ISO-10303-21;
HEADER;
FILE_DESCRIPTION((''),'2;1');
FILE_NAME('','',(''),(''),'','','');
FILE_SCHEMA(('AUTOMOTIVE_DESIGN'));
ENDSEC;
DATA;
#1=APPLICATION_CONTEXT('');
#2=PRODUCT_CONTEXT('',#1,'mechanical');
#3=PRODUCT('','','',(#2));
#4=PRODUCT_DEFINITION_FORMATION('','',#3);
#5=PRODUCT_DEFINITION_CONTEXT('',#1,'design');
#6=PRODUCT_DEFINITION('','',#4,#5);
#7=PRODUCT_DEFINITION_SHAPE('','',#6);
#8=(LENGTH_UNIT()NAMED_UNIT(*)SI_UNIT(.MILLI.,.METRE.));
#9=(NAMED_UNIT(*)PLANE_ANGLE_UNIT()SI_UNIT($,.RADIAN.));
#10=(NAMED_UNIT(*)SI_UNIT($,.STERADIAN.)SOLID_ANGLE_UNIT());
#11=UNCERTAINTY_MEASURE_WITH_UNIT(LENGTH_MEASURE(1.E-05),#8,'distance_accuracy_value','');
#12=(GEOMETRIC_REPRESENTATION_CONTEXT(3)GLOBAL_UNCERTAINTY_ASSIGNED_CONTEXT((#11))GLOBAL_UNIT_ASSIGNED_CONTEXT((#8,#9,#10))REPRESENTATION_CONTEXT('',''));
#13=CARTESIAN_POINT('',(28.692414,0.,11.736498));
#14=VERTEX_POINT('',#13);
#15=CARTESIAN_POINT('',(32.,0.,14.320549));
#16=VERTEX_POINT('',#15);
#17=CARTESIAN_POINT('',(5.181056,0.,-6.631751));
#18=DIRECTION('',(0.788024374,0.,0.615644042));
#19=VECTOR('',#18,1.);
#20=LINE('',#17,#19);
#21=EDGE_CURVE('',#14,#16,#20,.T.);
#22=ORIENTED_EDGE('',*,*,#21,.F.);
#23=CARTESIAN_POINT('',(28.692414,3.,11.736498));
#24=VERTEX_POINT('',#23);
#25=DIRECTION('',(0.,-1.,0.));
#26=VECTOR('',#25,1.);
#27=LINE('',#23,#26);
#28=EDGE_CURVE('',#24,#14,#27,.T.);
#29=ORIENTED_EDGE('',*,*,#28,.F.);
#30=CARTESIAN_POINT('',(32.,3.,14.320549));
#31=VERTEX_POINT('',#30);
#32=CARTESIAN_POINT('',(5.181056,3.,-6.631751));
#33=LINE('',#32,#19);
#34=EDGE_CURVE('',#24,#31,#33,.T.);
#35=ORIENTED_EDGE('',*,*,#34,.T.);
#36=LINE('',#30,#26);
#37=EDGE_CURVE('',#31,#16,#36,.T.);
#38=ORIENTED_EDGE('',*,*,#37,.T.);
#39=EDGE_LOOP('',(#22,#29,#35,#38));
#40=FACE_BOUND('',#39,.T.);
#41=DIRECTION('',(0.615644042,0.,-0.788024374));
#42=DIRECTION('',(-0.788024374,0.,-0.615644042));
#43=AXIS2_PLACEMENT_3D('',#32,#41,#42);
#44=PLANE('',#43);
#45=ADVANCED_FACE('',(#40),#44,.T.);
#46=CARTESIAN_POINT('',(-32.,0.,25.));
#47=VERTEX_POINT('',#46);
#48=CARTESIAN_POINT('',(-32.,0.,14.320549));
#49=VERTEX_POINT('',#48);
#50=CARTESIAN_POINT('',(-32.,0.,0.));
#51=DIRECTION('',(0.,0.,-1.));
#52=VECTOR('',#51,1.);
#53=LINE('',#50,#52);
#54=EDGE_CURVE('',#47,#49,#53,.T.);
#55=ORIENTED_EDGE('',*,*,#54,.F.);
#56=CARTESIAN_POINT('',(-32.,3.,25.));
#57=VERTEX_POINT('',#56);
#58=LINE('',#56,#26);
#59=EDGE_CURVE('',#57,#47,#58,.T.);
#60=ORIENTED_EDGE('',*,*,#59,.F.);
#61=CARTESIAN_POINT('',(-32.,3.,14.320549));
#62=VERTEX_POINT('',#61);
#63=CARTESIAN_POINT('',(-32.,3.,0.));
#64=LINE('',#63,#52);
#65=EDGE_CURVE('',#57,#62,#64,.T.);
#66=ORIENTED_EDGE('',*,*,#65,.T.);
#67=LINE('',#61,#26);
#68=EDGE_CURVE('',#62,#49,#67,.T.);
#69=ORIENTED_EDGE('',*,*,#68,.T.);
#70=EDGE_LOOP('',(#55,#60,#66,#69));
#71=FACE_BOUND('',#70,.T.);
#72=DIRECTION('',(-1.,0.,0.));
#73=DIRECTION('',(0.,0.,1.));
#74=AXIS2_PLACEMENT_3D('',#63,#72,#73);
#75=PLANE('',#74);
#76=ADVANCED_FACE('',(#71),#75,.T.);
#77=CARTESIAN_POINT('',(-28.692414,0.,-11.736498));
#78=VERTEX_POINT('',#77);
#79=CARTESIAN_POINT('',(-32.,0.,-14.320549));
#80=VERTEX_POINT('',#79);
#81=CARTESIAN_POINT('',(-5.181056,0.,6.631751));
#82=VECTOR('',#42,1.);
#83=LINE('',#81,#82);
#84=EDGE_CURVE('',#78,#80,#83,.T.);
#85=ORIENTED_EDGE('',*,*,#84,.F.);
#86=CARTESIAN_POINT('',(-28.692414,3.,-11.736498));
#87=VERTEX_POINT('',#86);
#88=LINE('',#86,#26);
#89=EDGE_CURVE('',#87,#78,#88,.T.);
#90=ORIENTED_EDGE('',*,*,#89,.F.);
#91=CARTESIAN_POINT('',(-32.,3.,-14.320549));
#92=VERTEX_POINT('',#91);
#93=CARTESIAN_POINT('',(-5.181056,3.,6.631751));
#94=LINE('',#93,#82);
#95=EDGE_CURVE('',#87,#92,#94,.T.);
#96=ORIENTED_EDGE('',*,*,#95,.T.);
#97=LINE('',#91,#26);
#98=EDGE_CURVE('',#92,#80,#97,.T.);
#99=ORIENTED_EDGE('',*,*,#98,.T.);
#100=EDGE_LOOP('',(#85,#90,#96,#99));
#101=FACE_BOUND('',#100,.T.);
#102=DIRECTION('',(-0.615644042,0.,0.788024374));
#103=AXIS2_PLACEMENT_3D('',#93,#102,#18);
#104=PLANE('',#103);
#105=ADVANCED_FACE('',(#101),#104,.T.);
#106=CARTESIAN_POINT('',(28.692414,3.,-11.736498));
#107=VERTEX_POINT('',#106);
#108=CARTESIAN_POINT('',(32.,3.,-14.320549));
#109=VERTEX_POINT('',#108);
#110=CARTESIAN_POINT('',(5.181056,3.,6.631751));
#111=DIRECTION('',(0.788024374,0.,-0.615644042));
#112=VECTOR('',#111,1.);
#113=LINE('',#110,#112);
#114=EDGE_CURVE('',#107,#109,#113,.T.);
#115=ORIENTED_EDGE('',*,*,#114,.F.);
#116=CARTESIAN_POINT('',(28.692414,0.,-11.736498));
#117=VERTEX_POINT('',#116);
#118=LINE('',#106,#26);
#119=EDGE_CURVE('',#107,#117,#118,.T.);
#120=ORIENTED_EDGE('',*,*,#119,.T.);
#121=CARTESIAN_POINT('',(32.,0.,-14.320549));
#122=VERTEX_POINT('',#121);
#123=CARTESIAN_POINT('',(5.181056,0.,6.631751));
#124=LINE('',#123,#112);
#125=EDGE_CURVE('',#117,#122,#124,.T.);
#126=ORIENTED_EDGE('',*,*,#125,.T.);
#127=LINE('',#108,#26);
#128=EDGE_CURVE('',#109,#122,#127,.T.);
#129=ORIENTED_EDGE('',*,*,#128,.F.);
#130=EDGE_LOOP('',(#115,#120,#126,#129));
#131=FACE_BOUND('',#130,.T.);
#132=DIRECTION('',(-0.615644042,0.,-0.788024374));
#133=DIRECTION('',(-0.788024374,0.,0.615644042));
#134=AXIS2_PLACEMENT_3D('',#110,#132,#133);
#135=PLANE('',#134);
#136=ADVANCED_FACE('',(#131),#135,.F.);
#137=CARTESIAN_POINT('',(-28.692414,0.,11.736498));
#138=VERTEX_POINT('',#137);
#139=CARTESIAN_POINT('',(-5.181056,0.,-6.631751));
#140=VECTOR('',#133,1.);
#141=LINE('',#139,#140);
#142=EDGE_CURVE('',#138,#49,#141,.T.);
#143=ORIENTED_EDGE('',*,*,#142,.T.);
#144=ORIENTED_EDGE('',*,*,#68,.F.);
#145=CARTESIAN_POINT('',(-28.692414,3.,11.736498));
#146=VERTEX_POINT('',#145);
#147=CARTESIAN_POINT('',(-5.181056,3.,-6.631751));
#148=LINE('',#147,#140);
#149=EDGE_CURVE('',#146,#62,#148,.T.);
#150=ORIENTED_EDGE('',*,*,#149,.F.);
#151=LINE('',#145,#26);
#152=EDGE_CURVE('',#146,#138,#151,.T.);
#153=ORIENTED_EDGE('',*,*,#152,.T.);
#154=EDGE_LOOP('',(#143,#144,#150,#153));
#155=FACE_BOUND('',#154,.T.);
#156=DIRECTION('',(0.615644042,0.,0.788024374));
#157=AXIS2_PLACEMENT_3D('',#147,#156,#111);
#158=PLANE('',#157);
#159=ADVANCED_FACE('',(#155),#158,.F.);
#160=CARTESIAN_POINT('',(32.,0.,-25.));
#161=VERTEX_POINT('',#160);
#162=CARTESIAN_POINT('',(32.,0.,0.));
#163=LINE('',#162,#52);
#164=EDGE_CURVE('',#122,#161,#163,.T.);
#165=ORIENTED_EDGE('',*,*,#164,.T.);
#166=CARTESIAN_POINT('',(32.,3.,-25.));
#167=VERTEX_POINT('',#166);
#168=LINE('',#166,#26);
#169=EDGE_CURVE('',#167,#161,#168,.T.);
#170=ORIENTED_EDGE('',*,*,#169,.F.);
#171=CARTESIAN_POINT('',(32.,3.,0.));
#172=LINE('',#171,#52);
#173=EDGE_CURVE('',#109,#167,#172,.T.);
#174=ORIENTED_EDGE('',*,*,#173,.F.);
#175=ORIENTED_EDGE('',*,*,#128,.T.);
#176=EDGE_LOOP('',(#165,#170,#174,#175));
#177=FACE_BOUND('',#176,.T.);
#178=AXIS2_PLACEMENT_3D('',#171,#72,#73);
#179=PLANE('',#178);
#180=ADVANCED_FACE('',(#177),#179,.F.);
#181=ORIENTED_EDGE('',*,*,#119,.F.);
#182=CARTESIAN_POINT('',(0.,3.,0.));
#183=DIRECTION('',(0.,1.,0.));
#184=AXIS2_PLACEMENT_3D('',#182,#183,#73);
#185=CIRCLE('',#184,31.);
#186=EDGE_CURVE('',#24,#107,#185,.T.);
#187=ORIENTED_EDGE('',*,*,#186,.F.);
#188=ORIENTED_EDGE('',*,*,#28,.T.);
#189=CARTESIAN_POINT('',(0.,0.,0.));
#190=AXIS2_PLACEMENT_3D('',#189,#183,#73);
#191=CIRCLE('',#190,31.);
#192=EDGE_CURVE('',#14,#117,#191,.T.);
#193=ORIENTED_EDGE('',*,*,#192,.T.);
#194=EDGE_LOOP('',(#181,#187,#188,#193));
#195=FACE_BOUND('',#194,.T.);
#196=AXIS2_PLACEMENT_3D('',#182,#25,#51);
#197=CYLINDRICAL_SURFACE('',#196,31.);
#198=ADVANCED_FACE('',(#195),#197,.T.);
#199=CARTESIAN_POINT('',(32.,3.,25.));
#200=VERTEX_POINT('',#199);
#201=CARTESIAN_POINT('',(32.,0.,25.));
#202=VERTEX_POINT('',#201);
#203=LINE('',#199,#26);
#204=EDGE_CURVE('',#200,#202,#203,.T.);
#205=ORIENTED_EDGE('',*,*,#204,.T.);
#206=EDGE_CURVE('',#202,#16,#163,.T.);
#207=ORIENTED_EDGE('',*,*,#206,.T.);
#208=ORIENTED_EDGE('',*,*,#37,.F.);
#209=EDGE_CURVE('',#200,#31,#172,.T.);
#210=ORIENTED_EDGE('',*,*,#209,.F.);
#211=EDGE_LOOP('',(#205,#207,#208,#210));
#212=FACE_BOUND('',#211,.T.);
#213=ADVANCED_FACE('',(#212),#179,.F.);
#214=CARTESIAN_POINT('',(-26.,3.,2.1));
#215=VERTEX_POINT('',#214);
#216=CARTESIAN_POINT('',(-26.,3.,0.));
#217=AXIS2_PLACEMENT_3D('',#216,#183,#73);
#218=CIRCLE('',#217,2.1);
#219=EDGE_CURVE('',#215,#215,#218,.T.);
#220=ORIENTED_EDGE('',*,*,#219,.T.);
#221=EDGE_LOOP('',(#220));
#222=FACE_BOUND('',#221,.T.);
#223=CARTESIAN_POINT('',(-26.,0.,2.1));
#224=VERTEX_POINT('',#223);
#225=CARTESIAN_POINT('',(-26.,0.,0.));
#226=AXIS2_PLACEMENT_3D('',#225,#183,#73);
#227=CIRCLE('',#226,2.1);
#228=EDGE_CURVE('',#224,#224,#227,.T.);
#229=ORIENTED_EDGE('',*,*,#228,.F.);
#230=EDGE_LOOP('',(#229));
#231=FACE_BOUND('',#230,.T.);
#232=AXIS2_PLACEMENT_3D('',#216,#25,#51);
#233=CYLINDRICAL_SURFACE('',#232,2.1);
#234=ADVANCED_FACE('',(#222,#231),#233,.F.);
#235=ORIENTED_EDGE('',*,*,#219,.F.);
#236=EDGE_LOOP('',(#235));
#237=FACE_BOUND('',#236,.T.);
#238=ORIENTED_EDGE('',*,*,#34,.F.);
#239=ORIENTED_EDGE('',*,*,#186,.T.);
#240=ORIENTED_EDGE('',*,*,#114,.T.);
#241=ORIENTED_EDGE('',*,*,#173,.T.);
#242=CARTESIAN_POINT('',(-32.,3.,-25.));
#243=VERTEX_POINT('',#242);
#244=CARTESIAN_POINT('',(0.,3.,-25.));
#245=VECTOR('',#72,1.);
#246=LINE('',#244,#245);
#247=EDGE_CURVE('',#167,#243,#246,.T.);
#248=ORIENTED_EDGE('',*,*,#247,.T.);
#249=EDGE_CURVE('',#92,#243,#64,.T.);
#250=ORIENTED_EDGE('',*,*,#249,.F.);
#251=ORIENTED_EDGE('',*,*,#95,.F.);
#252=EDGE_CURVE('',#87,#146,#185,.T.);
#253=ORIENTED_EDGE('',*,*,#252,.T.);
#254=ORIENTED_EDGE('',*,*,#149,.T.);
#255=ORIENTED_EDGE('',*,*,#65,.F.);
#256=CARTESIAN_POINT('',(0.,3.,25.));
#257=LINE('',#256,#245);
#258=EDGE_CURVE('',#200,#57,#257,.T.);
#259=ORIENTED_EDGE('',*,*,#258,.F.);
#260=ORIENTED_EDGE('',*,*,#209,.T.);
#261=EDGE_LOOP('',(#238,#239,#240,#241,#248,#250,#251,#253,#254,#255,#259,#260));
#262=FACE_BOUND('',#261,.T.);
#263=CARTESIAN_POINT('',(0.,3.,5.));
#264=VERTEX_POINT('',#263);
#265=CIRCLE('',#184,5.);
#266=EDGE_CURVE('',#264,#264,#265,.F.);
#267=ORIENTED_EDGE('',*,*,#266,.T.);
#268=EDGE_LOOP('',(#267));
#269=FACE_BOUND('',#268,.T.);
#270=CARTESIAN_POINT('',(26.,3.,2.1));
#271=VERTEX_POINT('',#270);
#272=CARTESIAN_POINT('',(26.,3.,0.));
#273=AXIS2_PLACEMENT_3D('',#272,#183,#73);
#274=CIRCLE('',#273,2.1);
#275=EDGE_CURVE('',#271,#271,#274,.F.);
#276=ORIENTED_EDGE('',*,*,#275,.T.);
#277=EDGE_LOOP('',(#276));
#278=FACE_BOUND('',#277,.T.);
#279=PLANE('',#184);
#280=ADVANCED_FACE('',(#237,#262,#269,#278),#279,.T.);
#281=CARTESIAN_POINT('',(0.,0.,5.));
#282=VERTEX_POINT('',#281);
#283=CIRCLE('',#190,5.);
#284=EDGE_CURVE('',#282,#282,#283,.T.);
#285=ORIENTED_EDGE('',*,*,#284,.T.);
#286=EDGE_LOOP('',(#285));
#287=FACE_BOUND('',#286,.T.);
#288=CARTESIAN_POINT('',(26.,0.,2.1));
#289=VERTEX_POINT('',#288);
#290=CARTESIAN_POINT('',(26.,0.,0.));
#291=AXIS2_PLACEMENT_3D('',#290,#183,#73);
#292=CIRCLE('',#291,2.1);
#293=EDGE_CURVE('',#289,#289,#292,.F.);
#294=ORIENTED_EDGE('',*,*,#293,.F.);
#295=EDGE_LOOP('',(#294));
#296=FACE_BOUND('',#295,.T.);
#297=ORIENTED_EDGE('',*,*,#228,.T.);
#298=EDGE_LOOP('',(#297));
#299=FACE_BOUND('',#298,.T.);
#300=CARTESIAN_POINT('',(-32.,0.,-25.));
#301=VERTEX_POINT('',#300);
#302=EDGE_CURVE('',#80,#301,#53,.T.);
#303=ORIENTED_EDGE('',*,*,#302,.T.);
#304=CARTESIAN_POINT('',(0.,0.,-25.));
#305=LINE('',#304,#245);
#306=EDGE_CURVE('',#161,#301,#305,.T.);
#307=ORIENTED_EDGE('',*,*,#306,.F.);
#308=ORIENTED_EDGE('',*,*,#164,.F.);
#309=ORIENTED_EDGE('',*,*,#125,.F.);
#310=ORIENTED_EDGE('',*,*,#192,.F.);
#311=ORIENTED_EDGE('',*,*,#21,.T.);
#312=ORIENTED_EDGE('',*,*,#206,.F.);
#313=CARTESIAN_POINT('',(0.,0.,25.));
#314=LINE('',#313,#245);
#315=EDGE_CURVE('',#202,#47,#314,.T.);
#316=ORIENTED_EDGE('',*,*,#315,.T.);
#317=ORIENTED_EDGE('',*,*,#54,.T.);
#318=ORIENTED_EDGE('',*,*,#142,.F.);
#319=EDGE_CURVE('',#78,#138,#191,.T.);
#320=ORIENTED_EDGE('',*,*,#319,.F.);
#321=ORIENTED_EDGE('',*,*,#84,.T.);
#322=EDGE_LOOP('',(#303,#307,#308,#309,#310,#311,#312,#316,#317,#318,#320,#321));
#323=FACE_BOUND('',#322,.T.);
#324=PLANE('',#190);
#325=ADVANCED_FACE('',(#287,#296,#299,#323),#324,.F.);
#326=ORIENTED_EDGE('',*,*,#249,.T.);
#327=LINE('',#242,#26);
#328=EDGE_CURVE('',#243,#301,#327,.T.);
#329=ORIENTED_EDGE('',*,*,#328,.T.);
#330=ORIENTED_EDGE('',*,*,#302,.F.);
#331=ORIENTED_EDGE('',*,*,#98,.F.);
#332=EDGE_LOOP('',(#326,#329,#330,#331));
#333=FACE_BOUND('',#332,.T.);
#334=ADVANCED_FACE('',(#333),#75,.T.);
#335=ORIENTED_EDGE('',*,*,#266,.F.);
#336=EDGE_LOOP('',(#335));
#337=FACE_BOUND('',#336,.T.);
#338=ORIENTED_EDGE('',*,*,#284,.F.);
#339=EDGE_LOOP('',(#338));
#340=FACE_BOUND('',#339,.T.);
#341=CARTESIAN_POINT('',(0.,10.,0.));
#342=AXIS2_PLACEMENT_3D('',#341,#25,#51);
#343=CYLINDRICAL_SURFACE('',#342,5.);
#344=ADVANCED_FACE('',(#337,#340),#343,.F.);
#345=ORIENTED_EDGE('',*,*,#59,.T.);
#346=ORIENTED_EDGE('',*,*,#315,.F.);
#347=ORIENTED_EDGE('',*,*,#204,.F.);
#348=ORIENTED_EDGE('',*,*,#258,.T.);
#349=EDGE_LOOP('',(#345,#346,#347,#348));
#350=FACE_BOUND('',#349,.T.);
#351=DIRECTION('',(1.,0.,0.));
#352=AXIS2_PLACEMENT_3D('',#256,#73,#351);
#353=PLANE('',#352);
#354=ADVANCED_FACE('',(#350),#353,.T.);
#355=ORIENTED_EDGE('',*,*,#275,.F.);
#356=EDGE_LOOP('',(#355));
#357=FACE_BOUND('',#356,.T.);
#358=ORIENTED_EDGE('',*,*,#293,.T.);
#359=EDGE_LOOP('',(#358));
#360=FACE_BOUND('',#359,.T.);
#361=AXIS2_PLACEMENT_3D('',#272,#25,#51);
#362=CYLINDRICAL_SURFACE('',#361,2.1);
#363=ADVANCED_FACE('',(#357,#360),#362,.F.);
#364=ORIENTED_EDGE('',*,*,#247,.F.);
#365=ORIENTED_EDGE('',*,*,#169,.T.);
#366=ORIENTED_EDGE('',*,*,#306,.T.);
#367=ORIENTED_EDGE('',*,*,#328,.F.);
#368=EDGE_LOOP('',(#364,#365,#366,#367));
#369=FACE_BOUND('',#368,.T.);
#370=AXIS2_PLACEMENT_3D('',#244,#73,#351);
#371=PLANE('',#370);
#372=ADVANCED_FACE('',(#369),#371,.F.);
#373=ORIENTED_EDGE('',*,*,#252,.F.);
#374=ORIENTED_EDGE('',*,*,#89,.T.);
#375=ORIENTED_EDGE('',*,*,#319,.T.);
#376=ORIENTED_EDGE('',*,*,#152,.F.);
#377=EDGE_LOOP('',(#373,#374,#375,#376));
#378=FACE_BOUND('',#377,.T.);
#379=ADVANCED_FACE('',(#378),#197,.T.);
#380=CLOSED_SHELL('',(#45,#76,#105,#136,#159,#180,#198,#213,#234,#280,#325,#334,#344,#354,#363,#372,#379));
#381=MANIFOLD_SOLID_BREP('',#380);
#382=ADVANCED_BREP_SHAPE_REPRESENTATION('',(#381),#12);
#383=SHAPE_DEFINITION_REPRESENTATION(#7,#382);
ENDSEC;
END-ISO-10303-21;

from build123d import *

# Parameters (mm, degrees)
SKETCH1_R           = 2.1
BOSS_EXTRUDE2_DEPTH = 3
SKETCH1_14_R        = 5
CUT_EXTRUDE2_DEPTH  = 10


with BuildPart() as part:
    # Sketch1 → Boss-Extrude2 (new body)
    with BuildSketch(Plane(origin=(0, 0, 0), x_dir=(1, 0, 0), z_dir=(0, 1, 0))):
        with BuildLine():
            Line((32, -25), (32, -14.320549047))
            Line((32, -14.320549047), (28.692414075, -11.736497543))
            ThreePointArc((28.692414075, -11.736497543), (31, 0), (28.692414075, 11.736497543))
            Line((28.692414075, 11.736497543), (32, 14.320549047))
            Line((32, 14.320549047), (32, 25))
            Line((32, 25), (-32, 25))
            Line((-32, 25), (-32, 14.320549047))
            Line((-32, 14.320549047), (-28.692414075, 11.736497543))
            ThreePointArc((-28.692414075, 11.736497543), (-31, 0), (-28.692414075, -11.736497543))
            Line((-28.692414075, -11.736497543), (-32, -14.320549047))
            Line((-32, -14.320549047), (-32, -25))
            Line((-32, -25), (32, -25))
        make_face()
        with Locations((26, 0)):
            Circle(SKETCH1_R, mode=Mode.SUBTRACT)
        with Locations((-26, 0)):
            Circle(SKETCH1_R, mode=Mode.SUBTRACT)
    extrude(amount=BOSS_EXTRUDE2_DEPTH)

    # Sketch1<14> → Cut-Extrude2 (cut)
    with BuildSketch(Plane(origin=(0, 0, 0), x_dir=(1, 0, 0), z_dir=(0, 1, 0))):
        Circle(SKETCH1_14_R)
    extrude(amount=CUT_EXTRUDE2_DEPTH, mode=Mode.SUBTRACT)


solid = part.part
